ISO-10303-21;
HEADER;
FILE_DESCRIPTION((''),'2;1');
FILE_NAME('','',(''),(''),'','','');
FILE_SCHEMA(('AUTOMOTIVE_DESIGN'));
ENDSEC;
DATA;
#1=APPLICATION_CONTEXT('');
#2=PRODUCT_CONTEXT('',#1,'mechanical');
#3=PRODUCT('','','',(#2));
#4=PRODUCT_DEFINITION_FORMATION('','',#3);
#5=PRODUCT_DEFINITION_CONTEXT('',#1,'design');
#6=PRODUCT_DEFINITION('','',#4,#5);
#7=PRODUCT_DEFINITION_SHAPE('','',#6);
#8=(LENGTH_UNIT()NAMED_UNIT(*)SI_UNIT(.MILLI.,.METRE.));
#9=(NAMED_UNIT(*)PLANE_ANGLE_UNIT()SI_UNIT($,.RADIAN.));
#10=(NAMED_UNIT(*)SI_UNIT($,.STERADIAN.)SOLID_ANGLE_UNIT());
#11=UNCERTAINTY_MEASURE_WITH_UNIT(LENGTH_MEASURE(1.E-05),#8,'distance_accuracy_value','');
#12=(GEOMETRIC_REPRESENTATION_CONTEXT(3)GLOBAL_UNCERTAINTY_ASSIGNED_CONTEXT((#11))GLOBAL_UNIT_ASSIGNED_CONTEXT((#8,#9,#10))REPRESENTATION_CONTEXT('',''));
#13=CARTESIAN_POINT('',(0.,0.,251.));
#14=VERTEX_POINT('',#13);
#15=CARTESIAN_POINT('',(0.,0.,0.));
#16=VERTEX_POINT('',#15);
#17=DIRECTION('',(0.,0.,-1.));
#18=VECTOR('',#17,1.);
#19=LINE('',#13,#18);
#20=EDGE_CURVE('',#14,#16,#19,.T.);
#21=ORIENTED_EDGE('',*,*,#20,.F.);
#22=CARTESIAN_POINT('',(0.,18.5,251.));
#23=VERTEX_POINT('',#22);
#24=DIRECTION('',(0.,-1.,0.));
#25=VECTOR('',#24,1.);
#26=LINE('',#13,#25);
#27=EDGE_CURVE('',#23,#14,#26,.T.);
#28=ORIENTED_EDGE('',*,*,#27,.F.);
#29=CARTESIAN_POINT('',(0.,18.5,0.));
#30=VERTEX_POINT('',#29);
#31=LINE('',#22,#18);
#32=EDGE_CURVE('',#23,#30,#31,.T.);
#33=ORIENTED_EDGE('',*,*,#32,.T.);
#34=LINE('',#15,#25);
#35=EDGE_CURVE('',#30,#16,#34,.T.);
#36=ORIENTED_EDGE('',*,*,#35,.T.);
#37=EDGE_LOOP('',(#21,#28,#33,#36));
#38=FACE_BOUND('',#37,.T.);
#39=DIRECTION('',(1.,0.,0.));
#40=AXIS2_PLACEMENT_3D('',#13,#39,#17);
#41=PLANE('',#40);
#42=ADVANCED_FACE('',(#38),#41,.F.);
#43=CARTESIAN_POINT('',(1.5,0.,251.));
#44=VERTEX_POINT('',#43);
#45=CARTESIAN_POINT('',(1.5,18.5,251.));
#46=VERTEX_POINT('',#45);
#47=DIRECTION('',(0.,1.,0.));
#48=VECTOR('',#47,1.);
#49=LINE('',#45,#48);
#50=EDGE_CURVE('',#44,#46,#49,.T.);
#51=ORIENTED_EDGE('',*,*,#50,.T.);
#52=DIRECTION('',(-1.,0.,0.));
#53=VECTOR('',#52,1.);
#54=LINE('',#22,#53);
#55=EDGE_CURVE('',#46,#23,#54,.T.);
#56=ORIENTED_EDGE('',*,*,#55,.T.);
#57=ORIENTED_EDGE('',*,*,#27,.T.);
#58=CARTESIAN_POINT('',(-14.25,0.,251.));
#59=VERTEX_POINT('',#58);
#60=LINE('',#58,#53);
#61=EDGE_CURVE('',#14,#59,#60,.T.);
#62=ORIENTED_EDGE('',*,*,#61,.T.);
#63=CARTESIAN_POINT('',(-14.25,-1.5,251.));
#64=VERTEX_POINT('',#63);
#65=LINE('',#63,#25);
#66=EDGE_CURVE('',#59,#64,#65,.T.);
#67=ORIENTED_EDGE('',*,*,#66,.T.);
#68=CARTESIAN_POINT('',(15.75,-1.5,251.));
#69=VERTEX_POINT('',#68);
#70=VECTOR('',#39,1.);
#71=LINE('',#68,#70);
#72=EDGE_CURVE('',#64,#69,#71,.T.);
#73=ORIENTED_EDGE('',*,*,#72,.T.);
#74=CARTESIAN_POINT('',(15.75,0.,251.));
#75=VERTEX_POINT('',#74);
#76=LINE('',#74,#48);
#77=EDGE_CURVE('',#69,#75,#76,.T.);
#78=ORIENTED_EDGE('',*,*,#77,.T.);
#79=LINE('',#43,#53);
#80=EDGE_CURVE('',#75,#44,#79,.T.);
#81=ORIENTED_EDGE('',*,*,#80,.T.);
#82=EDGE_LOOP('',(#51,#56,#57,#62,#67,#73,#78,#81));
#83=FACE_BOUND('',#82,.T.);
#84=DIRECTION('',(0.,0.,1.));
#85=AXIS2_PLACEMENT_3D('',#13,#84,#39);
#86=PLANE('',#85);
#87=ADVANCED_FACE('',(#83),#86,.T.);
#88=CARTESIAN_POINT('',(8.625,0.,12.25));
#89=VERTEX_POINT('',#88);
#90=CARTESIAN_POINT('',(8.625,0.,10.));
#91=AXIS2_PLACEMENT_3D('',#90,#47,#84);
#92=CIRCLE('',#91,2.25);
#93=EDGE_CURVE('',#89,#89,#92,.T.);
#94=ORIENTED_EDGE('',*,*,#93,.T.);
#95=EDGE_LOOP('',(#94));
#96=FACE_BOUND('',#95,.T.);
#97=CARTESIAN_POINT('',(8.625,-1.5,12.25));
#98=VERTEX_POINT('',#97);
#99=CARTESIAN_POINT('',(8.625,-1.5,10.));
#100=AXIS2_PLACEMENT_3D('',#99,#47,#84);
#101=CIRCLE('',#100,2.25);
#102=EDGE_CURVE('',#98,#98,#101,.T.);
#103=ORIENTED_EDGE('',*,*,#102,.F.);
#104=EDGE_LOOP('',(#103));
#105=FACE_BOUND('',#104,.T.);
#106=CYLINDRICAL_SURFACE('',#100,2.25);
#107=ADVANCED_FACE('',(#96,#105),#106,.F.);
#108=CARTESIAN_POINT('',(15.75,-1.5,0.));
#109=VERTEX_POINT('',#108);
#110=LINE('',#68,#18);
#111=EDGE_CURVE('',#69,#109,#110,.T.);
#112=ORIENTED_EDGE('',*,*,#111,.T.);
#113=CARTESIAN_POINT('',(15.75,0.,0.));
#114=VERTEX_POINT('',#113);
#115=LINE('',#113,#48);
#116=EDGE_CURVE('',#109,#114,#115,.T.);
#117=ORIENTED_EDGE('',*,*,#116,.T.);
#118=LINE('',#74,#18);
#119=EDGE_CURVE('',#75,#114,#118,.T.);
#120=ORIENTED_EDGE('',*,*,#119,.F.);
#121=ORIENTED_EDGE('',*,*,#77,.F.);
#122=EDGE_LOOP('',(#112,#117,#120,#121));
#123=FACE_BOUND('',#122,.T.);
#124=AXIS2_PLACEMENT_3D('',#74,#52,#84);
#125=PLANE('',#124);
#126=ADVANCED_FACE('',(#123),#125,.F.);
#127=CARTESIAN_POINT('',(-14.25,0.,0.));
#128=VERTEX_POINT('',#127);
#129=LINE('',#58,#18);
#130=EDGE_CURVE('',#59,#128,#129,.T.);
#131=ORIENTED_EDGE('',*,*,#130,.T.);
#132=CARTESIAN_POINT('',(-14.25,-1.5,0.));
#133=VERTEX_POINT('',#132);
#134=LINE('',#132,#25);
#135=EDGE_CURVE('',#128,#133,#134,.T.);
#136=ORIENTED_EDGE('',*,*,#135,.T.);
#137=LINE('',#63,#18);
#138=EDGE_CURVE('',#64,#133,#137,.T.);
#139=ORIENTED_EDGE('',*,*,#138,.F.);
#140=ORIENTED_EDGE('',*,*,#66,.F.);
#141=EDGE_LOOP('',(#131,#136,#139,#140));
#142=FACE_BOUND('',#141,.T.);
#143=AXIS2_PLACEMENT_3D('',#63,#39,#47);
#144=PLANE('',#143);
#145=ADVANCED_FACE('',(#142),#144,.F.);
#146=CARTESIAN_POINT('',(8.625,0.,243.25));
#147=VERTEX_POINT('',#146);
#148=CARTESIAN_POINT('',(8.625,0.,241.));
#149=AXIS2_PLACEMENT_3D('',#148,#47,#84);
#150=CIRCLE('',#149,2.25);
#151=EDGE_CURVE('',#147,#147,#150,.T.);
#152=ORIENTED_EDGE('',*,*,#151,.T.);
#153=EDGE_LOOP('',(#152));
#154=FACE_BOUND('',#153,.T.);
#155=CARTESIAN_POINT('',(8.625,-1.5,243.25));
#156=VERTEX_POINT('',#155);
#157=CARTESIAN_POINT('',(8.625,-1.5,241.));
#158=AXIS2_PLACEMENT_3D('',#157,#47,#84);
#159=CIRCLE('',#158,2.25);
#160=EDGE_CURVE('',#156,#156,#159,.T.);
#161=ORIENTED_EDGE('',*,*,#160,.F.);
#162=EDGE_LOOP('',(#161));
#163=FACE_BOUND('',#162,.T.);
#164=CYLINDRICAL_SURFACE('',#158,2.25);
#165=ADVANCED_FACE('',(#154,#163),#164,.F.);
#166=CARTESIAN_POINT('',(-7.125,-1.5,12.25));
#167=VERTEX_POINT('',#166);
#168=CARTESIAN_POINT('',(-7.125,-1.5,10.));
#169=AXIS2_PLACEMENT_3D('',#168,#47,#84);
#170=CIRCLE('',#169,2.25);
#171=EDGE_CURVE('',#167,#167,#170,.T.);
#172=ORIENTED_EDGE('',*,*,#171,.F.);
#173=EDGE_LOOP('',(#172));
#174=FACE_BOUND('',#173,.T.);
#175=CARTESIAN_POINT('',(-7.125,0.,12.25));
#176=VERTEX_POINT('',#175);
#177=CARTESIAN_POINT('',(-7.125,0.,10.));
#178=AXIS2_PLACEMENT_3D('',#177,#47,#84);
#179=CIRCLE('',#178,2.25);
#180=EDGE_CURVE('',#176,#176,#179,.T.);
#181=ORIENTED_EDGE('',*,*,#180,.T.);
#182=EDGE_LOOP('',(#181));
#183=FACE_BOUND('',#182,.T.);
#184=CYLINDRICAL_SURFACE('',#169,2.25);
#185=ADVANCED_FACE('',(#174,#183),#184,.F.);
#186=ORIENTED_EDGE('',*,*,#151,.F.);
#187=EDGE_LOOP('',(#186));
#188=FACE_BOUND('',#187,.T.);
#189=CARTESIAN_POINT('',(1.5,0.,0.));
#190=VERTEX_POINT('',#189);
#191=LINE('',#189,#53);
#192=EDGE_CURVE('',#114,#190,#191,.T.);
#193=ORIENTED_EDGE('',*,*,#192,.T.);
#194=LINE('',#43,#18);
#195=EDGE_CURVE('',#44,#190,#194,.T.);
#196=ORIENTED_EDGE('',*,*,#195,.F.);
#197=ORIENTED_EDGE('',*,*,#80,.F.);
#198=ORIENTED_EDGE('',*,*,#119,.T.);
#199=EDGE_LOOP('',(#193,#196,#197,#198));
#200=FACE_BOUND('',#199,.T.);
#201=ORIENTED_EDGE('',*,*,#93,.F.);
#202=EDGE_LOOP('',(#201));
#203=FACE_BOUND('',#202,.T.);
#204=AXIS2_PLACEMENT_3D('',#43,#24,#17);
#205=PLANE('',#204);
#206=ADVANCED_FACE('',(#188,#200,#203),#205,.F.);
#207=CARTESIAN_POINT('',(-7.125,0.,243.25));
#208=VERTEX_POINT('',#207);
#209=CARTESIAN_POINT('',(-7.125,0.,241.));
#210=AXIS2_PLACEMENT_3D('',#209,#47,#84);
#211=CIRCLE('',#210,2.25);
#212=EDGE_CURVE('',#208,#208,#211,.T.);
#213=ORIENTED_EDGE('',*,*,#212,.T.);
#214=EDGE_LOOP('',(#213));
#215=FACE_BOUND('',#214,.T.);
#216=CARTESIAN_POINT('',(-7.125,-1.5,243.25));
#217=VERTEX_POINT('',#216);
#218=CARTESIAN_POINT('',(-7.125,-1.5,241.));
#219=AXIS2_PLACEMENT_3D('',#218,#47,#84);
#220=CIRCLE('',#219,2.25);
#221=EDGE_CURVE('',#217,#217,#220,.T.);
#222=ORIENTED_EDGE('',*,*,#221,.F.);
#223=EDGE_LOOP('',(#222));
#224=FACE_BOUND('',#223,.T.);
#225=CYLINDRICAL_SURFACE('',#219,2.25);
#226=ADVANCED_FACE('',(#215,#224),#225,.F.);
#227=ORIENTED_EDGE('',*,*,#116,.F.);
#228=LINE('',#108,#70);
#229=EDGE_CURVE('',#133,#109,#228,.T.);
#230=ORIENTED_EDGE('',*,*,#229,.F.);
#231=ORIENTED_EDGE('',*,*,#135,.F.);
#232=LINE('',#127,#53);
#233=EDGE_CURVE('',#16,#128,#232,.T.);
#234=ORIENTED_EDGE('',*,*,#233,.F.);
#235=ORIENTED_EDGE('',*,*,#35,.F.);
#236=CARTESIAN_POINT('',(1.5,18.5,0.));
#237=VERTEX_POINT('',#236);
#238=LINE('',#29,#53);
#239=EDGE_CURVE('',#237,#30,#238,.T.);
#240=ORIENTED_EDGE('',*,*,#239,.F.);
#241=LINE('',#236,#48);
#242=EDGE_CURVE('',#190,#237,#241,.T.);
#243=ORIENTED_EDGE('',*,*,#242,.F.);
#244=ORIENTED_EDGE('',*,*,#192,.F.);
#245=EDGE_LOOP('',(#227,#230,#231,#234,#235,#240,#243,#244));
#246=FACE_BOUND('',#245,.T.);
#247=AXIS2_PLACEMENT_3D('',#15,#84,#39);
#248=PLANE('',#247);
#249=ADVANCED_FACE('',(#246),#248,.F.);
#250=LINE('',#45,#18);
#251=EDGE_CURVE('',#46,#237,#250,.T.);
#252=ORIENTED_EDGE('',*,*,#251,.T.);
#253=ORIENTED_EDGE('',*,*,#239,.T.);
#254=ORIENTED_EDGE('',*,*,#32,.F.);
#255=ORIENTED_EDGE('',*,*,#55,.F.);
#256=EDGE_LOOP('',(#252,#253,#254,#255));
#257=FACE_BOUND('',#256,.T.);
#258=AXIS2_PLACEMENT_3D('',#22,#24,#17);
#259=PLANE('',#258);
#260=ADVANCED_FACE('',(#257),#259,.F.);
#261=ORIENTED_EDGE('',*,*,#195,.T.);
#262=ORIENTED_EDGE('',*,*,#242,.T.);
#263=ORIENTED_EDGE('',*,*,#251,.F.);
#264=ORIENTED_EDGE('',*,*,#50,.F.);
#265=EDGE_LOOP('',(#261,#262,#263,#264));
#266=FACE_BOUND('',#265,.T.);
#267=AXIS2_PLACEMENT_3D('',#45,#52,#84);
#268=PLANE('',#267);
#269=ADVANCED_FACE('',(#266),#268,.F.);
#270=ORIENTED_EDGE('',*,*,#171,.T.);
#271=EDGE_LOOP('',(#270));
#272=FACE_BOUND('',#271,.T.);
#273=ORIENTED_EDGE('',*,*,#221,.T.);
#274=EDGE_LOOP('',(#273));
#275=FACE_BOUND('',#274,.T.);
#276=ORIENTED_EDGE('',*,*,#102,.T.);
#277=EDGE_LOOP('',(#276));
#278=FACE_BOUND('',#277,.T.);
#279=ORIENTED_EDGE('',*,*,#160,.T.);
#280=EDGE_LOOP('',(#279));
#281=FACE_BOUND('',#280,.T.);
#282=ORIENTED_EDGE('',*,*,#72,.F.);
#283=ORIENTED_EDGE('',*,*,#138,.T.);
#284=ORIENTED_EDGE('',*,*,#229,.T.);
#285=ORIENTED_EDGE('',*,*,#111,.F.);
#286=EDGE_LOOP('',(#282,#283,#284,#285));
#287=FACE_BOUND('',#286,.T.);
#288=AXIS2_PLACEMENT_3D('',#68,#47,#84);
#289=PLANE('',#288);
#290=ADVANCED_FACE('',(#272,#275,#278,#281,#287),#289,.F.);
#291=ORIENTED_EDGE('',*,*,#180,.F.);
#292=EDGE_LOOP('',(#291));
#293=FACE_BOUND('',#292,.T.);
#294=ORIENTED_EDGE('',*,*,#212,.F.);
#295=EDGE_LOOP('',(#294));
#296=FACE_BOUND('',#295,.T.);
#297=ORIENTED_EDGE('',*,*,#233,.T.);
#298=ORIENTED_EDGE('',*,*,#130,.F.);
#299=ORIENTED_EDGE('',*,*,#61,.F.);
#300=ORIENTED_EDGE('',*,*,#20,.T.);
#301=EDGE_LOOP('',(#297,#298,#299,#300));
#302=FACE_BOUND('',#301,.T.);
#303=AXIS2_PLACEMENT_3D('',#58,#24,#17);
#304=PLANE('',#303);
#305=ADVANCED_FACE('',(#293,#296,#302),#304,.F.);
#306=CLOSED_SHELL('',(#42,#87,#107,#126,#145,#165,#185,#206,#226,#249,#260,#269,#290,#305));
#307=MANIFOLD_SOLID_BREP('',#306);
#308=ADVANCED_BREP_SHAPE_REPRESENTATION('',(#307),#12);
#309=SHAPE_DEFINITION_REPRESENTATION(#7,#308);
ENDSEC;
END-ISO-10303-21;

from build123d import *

# Parameters (mm, degrees)
EXTRUDE_1_DEPTH     = 251
SKETCH_2_R          = 2.25
CUT_EXTRUDE_1_DEPTH = 2.5


with BuildPart() as part:
    # Эскиз1 → Бобышка-Вытянуть1 (new body)
    with BuildSketch(Plane.XY):
        Polygon((0, 0), (0, 18.5), (1.5, 18.5), (1.5, 0), (15.75, 0), (15.75, -1.5), (-14.25, -1.5), (-14.25, 0), align=None)
    extrude(amount=EXTRUDE_1_DEPTH)

    # Эскиз2 → Вырез-Вытянуть1 (cut, through all)
    with BuildSketch(Plane(origin=(0, 0, 0), x_dir=(1, 0, 0), z_dir=(0, 1, 0))):
        with Locations((-7.125, -10)):
            Circle(SKETCH_2_R)
        with Locations((8.625, -10)):
            Circle(SKETCH_2_R)
        with Locations((-7.125, -241)):
            Circle(SKETCH_2_R)
        with Locations((8.625, -241)):
            Circle(SKETCH_2_R)
    extrude(amount=-CUT_EXTRUDE_1_DEPTH, mode=Mode.SUBTRACT)


solid = part.part
